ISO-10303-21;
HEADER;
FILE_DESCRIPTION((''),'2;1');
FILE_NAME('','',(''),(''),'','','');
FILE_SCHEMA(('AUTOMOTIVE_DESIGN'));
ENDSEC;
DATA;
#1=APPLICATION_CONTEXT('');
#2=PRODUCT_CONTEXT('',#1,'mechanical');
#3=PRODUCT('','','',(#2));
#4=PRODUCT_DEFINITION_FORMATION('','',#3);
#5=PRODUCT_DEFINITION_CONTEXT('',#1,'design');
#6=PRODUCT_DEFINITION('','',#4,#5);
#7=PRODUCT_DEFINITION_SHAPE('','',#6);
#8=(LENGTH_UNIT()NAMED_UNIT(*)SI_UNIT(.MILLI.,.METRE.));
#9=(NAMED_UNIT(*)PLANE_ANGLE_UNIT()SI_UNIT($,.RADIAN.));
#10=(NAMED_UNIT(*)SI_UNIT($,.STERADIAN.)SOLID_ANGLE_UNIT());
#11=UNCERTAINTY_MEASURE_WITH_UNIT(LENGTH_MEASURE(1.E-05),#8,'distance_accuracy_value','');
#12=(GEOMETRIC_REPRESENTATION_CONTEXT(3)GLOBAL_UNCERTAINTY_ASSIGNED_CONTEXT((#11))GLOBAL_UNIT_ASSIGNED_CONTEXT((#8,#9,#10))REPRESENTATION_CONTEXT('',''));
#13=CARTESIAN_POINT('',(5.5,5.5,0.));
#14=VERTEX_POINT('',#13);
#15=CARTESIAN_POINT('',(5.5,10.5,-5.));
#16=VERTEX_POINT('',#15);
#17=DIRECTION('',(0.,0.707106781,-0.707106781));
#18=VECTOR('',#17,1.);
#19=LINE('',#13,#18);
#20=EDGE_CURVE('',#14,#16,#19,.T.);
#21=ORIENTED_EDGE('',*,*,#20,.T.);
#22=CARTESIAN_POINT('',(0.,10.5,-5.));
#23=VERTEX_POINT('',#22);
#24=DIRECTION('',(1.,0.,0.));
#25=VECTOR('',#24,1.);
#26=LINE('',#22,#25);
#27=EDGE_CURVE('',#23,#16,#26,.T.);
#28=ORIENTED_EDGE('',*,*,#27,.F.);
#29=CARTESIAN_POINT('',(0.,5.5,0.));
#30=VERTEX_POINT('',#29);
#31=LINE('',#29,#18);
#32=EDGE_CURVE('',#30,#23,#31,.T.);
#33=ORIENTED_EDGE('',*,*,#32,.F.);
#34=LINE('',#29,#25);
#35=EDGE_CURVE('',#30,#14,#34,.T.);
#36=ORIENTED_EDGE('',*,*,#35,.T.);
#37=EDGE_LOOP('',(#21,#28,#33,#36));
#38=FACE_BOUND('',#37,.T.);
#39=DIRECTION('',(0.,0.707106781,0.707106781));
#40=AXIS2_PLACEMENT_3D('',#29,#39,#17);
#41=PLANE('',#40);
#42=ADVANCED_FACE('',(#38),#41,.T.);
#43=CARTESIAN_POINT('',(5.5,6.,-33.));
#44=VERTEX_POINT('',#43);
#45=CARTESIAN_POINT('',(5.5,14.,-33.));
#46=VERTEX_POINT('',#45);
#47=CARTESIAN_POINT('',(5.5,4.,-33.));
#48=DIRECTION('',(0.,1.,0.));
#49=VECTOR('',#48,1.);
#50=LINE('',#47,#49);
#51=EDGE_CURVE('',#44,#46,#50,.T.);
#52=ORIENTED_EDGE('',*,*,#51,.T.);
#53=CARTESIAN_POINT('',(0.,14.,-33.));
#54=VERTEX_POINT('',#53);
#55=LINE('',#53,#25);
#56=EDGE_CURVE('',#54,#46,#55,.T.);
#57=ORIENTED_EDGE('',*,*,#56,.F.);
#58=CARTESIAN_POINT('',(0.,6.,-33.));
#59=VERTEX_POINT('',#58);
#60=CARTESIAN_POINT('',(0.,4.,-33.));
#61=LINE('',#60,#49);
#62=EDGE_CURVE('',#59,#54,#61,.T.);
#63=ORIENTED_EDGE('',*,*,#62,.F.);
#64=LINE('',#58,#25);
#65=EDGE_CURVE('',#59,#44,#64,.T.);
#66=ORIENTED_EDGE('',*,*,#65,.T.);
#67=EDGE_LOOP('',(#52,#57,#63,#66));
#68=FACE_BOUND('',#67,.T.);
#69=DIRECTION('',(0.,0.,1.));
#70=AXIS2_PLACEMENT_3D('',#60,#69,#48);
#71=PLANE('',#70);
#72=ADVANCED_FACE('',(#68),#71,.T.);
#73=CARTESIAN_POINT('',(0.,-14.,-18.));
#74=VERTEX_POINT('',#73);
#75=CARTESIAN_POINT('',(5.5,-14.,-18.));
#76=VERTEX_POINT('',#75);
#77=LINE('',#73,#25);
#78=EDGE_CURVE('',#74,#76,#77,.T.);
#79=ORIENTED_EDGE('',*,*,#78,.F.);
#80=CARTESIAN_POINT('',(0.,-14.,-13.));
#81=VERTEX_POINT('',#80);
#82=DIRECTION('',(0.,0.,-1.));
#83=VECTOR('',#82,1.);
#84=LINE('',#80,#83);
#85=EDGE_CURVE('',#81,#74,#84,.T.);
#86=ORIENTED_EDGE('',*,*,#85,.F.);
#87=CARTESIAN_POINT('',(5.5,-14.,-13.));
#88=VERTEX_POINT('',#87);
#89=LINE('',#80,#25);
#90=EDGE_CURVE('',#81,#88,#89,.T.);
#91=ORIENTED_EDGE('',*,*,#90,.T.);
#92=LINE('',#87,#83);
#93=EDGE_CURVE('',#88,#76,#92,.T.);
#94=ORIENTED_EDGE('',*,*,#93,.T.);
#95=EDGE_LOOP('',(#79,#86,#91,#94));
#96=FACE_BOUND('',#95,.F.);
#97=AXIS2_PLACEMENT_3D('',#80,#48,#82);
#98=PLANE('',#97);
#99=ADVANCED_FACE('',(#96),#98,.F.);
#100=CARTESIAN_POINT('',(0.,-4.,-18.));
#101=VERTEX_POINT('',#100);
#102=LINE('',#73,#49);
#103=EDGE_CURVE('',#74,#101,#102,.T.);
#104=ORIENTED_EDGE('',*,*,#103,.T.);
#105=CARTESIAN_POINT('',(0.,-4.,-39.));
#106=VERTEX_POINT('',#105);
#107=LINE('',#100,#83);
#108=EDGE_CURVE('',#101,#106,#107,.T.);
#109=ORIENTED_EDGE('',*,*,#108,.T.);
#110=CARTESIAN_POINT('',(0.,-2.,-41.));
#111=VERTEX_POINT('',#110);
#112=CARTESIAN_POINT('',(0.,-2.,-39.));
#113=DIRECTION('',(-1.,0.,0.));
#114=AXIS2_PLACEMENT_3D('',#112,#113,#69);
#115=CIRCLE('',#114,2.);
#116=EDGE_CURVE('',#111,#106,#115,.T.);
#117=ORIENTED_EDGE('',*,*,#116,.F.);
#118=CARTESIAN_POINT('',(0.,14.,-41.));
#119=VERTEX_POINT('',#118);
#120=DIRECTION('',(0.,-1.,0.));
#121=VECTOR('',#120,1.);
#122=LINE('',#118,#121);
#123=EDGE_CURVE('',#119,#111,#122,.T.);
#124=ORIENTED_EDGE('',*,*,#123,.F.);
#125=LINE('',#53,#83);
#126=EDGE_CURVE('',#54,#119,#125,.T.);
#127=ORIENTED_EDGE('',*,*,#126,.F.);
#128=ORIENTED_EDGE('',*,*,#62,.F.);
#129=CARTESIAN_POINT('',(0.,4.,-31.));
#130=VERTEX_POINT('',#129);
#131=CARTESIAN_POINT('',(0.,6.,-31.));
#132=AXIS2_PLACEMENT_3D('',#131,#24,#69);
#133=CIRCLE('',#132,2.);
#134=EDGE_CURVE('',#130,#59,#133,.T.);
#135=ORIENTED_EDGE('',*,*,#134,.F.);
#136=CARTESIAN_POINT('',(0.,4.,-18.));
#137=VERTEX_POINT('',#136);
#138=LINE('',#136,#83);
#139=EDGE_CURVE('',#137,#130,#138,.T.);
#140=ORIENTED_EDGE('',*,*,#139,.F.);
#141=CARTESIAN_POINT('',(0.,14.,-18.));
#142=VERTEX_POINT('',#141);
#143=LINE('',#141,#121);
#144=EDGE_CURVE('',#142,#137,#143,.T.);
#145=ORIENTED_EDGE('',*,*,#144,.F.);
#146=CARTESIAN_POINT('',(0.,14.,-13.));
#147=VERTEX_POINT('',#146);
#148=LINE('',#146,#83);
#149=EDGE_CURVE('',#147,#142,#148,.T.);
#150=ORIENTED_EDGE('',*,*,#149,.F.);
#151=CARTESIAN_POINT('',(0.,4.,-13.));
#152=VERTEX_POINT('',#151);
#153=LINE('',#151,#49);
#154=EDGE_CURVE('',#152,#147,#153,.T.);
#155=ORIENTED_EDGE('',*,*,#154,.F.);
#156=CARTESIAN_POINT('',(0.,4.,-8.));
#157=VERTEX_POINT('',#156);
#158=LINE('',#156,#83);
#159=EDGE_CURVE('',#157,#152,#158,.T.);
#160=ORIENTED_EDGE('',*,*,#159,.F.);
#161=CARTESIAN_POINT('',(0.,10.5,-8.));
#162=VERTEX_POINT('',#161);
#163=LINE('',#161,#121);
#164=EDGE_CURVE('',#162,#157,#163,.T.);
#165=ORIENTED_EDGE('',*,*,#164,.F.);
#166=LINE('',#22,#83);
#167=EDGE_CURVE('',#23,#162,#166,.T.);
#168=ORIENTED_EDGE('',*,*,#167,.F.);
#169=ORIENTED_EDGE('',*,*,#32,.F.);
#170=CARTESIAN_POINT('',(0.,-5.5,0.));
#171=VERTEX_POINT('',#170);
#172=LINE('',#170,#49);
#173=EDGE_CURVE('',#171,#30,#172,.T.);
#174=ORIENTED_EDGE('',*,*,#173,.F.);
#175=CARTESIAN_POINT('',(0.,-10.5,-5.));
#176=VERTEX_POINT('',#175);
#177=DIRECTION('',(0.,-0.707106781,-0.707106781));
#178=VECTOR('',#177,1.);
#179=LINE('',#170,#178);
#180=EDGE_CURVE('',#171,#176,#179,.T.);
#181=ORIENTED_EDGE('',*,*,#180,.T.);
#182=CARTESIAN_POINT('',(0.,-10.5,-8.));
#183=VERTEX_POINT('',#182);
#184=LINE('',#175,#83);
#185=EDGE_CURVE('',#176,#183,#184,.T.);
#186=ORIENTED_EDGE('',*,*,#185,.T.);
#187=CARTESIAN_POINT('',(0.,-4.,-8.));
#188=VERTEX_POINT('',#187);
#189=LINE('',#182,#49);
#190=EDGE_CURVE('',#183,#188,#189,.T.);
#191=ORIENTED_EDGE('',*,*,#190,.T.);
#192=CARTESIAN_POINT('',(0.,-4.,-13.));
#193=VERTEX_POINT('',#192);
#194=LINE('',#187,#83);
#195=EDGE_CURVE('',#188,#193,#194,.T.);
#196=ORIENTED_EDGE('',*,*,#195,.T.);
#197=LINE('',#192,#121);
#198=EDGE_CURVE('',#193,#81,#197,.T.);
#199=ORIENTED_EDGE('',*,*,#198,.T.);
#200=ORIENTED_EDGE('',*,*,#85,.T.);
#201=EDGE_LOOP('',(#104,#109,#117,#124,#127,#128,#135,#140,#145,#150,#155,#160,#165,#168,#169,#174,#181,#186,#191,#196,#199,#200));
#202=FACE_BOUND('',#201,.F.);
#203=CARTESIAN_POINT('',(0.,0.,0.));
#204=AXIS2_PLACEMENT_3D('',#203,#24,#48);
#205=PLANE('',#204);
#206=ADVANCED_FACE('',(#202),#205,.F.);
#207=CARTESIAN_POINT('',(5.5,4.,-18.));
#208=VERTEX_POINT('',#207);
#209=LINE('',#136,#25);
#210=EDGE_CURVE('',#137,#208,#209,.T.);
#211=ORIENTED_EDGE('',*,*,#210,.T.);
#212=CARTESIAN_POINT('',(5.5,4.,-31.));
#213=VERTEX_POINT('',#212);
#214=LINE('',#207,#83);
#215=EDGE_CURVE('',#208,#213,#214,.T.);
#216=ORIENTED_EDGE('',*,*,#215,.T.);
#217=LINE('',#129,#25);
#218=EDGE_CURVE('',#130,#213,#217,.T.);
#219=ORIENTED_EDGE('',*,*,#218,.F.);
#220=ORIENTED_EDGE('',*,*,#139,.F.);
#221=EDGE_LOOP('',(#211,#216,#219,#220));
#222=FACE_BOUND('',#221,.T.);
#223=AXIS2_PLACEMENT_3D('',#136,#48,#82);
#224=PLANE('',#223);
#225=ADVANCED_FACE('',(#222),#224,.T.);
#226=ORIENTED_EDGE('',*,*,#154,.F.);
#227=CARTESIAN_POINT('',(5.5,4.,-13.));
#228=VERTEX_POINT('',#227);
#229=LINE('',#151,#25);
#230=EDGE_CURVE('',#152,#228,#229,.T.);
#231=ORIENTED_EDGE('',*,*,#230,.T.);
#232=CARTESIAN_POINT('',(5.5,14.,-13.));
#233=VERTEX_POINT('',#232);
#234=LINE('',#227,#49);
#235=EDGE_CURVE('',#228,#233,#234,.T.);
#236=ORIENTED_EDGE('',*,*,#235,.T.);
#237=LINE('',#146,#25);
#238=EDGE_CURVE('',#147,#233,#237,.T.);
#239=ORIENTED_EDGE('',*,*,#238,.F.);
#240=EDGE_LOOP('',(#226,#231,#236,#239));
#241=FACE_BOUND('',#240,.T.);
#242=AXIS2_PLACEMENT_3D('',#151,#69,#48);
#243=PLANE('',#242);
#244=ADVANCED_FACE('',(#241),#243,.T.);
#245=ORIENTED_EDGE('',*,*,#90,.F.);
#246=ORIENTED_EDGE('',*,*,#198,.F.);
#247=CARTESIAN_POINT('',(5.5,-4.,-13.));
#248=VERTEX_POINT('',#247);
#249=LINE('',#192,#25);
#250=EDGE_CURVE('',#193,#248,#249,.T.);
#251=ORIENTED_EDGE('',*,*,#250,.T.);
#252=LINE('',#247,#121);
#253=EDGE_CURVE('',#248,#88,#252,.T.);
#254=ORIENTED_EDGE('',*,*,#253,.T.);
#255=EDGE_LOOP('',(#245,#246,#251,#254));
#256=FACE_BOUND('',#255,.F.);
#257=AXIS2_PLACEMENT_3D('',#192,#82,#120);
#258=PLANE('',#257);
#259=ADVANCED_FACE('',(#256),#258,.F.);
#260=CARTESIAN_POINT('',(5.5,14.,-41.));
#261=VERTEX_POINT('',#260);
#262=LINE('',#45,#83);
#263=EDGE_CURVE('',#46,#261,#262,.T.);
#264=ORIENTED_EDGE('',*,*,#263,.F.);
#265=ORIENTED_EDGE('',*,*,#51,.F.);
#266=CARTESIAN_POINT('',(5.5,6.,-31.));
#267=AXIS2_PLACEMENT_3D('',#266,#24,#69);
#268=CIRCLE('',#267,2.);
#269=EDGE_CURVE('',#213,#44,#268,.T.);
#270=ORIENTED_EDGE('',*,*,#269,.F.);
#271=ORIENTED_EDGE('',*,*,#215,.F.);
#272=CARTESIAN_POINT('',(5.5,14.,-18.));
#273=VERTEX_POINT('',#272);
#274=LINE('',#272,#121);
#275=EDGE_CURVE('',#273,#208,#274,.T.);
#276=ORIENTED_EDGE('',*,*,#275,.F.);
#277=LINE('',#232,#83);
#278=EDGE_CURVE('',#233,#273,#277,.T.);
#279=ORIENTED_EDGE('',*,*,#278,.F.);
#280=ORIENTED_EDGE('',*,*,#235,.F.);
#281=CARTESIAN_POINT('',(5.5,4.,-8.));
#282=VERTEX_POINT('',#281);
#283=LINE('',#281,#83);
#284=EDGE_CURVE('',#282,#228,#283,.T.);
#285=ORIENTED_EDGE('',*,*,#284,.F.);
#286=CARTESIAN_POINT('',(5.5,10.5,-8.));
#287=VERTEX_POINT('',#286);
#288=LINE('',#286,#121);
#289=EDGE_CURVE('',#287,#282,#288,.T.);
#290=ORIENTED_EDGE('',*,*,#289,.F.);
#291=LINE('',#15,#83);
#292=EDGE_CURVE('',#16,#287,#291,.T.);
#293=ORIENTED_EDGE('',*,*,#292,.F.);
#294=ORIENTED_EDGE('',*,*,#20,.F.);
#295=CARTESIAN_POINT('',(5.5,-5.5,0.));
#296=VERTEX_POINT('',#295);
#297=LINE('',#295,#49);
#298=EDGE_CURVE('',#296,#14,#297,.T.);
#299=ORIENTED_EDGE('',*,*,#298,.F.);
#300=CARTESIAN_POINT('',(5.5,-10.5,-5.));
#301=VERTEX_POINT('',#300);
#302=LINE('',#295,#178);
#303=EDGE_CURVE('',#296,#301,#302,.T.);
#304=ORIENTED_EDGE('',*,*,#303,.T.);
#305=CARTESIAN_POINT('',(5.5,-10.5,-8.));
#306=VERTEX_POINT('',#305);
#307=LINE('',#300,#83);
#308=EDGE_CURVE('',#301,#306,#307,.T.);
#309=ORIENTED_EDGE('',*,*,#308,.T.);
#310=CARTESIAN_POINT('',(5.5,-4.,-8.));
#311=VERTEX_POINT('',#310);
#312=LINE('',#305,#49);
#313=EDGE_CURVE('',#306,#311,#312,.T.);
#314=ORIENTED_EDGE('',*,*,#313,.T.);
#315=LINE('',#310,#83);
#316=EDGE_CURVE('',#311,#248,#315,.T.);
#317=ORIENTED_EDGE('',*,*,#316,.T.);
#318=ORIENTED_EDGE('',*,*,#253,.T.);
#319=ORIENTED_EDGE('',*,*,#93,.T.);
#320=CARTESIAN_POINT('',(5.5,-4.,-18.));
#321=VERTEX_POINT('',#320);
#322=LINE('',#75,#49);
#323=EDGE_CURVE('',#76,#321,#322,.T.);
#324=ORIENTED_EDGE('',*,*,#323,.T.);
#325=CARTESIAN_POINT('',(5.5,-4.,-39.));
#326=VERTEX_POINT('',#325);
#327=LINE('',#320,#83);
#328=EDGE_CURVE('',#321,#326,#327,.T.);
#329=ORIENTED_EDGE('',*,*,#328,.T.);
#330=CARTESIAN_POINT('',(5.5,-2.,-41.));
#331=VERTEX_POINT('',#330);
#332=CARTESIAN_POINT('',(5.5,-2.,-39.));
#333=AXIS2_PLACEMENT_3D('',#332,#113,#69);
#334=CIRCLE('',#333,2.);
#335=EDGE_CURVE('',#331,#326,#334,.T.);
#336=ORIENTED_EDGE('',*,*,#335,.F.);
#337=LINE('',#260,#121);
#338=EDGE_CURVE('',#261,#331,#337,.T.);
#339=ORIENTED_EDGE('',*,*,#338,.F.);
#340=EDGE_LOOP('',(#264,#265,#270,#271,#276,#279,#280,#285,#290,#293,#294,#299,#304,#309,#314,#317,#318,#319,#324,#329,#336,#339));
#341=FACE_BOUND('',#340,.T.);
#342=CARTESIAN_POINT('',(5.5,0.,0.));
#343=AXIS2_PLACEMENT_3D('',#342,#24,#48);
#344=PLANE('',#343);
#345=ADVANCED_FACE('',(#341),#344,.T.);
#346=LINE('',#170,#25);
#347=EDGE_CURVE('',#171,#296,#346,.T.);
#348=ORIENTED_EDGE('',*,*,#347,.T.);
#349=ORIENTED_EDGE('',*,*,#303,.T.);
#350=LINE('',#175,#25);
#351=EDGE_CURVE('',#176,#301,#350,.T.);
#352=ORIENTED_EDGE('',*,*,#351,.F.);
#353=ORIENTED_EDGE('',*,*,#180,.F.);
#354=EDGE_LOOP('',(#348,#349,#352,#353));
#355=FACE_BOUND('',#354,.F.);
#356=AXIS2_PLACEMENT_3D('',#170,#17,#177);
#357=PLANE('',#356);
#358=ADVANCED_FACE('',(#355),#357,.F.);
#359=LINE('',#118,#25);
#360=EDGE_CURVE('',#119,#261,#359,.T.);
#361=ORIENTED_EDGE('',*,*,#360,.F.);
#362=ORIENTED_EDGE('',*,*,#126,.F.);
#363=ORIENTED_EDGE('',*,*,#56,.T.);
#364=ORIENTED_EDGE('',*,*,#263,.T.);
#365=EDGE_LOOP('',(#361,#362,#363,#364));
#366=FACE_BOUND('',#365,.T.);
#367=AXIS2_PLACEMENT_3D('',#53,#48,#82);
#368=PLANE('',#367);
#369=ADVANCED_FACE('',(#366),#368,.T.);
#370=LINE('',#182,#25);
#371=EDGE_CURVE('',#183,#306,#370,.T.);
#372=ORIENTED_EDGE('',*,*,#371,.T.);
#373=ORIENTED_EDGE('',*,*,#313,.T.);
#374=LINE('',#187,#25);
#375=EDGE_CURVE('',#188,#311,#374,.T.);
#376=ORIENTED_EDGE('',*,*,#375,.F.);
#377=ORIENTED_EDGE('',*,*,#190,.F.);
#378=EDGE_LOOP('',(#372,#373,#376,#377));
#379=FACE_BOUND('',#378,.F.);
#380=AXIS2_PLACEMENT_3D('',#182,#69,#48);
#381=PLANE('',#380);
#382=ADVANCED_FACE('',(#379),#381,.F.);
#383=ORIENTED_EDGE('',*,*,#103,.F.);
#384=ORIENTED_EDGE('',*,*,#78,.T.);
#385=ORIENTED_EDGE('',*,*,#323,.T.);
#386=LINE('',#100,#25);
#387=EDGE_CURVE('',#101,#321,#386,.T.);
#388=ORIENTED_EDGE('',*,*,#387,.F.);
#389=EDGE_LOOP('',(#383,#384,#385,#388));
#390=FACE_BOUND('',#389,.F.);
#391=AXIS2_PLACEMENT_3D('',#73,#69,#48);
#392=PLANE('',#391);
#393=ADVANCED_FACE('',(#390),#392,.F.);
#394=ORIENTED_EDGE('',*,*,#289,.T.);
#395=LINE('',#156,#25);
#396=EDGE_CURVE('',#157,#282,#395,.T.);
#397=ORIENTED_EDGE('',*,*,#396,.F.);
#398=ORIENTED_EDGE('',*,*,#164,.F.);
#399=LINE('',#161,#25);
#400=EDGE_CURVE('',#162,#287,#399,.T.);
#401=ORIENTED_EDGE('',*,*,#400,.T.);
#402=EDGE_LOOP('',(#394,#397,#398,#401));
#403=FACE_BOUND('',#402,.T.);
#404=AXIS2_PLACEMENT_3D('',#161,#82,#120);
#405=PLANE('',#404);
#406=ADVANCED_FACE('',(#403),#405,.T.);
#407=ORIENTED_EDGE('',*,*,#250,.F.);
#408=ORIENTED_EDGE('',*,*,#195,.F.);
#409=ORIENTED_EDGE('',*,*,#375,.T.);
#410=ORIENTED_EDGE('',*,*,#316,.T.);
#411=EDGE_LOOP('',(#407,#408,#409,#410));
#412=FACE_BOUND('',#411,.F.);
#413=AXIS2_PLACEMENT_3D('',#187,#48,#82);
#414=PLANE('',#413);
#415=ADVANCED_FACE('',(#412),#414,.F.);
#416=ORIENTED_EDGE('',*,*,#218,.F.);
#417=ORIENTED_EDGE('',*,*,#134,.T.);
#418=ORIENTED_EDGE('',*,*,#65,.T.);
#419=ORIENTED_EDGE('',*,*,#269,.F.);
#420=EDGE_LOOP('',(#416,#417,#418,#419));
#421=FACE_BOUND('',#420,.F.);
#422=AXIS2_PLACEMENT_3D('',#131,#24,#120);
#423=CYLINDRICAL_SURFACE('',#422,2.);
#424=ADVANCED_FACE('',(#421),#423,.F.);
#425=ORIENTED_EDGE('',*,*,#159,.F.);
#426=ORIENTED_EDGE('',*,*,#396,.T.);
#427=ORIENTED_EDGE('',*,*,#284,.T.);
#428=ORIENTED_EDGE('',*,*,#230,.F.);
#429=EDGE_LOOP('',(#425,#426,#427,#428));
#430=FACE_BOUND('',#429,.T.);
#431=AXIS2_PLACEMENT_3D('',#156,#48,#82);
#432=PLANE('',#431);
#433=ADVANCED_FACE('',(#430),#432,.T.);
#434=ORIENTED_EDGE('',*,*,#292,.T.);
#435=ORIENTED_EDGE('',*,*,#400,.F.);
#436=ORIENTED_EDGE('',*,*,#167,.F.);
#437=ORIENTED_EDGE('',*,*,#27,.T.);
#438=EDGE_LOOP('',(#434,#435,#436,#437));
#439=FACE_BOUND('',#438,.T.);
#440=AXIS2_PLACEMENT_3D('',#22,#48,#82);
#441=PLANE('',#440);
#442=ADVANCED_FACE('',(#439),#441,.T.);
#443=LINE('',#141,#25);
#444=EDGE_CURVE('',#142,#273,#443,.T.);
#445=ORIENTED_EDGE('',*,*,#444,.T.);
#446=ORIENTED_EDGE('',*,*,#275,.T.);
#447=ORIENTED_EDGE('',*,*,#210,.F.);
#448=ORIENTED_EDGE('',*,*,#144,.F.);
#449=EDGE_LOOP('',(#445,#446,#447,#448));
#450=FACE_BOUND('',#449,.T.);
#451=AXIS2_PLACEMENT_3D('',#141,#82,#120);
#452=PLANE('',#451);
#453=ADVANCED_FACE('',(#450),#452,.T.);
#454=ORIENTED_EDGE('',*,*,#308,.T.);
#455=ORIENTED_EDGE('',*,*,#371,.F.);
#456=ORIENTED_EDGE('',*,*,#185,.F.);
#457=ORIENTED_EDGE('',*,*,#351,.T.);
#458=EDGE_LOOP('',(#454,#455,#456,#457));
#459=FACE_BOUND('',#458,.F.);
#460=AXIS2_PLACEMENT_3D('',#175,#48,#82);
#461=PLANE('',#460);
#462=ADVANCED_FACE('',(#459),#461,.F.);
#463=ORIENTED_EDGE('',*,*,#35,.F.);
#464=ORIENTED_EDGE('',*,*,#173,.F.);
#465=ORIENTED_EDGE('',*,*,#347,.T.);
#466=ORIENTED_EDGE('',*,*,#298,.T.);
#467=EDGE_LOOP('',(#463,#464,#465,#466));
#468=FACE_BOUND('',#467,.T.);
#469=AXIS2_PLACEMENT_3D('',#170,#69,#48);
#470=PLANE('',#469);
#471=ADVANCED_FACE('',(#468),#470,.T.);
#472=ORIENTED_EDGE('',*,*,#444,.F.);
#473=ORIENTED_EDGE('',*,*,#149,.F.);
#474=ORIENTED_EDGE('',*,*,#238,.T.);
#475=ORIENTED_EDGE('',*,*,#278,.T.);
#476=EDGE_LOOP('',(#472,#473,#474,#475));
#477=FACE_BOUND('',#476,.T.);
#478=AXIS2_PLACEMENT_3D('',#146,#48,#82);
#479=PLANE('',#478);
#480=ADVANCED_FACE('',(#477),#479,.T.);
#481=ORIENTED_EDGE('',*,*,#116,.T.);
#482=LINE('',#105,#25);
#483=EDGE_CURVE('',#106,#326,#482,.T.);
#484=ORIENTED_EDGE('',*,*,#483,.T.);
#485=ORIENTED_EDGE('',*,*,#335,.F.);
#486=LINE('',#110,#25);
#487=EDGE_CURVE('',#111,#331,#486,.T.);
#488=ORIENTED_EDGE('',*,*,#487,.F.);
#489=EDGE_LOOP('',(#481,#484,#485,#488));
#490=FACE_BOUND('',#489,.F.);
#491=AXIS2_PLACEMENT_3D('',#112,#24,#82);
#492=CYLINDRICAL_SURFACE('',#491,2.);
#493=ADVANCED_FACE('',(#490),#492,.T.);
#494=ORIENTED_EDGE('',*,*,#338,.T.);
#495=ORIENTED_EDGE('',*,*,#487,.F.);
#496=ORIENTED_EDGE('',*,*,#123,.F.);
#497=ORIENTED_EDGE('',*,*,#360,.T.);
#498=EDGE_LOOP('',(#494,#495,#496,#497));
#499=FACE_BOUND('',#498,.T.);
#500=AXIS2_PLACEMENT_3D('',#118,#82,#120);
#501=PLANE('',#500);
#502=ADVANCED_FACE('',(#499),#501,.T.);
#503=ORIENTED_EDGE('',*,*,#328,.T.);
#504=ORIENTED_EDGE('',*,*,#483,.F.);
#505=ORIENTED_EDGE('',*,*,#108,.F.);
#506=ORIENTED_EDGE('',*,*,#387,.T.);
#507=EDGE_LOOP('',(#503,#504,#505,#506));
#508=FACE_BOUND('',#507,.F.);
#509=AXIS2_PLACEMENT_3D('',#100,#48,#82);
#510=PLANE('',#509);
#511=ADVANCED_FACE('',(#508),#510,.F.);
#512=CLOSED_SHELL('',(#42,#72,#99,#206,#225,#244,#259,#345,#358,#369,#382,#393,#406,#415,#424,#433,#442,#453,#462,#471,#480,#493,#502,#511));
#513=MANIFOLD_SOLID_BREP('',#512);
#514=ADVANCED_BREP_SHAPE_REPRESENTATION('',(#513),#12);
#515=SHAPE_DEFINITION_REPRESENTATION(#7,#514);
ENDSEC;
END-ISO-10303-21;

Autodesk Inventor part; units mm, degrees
ref_plane "YZ Plane" through (0, 0, 0) normal (1, 0, 0) x (0, 1, 0)
ref_plane "XZ Plane" through (0, 0, 0) normal (0, 1, 0) x (-1, 0, 0)
ref_plane "XY Plane" through (0, 0, 0) normal (0, 0, 1) x (1, 0, 0)
sketch "Esquisse1" plane through (0, 0, 0) normal (1, 0, 0) x (0, 1, 0)
  line L0 (-5.5, 0) -> (5.5, 0)
  line L1 (10.5, -8) -> (4, -8)
  line L2 (4, -8) -> (4, -13)
  line L3 (4, -13) -> (14, -13)
  line L4 (14, -13) -> (14, -18)
  line L5 (14, -18) -> (4, -18)
  line L6 (-10.5, -8) -> (-4, -8)
  line L7 (-4, -8) -> (-4, -13)
  line L8 (-4, -13) -> (-14, -13)
  line L9 (-14, -13) -> (-14, -18)
  line L10 (-14, -18) -> (-4, -18)
  line L11 (4, -18) -> (4, -33)
  line L12 (-4, -18) -> (-4, -41)
  line L13 (5.5, 0) -> (10.5, -5)
  line L14 (10.5, -5) -> (10.5, -8)
  line L15 (-5.5, 0) -> (-10.5, -5)
  line L16 (-10.5, -5) -> (-10.5, -8)
  line L17 (14, -33) -> (14, -41)
  line L18 (4, -33) -> (14, -33)
  line L19 (14, -41) -> (-4, -41)
  point P0 (0, 0)
  point P1 (0, 0)
  dimension "d0" = 8
  dimension "d1" = 8
  dimension "d2" = 3
  dimension "d3" = 10
  dimension "d6" = 5
  dimension "d7" = 5
  dimension "d10" = 21
  dimension "d11" = 45
  dimension "d14" = 10
  dimension "d15" = 8
  dimension "d16" = 15
  dimension "d17" = 28
  dimension "d18" = 28
extrude "Extrusion1" add sketch "Esquisse1" along normal blind 5.5
fillet "Congé1" radius 2 2 edges at (2.75, -4, -41) (2.75, 4, -33)
properties part number "cable holder"
